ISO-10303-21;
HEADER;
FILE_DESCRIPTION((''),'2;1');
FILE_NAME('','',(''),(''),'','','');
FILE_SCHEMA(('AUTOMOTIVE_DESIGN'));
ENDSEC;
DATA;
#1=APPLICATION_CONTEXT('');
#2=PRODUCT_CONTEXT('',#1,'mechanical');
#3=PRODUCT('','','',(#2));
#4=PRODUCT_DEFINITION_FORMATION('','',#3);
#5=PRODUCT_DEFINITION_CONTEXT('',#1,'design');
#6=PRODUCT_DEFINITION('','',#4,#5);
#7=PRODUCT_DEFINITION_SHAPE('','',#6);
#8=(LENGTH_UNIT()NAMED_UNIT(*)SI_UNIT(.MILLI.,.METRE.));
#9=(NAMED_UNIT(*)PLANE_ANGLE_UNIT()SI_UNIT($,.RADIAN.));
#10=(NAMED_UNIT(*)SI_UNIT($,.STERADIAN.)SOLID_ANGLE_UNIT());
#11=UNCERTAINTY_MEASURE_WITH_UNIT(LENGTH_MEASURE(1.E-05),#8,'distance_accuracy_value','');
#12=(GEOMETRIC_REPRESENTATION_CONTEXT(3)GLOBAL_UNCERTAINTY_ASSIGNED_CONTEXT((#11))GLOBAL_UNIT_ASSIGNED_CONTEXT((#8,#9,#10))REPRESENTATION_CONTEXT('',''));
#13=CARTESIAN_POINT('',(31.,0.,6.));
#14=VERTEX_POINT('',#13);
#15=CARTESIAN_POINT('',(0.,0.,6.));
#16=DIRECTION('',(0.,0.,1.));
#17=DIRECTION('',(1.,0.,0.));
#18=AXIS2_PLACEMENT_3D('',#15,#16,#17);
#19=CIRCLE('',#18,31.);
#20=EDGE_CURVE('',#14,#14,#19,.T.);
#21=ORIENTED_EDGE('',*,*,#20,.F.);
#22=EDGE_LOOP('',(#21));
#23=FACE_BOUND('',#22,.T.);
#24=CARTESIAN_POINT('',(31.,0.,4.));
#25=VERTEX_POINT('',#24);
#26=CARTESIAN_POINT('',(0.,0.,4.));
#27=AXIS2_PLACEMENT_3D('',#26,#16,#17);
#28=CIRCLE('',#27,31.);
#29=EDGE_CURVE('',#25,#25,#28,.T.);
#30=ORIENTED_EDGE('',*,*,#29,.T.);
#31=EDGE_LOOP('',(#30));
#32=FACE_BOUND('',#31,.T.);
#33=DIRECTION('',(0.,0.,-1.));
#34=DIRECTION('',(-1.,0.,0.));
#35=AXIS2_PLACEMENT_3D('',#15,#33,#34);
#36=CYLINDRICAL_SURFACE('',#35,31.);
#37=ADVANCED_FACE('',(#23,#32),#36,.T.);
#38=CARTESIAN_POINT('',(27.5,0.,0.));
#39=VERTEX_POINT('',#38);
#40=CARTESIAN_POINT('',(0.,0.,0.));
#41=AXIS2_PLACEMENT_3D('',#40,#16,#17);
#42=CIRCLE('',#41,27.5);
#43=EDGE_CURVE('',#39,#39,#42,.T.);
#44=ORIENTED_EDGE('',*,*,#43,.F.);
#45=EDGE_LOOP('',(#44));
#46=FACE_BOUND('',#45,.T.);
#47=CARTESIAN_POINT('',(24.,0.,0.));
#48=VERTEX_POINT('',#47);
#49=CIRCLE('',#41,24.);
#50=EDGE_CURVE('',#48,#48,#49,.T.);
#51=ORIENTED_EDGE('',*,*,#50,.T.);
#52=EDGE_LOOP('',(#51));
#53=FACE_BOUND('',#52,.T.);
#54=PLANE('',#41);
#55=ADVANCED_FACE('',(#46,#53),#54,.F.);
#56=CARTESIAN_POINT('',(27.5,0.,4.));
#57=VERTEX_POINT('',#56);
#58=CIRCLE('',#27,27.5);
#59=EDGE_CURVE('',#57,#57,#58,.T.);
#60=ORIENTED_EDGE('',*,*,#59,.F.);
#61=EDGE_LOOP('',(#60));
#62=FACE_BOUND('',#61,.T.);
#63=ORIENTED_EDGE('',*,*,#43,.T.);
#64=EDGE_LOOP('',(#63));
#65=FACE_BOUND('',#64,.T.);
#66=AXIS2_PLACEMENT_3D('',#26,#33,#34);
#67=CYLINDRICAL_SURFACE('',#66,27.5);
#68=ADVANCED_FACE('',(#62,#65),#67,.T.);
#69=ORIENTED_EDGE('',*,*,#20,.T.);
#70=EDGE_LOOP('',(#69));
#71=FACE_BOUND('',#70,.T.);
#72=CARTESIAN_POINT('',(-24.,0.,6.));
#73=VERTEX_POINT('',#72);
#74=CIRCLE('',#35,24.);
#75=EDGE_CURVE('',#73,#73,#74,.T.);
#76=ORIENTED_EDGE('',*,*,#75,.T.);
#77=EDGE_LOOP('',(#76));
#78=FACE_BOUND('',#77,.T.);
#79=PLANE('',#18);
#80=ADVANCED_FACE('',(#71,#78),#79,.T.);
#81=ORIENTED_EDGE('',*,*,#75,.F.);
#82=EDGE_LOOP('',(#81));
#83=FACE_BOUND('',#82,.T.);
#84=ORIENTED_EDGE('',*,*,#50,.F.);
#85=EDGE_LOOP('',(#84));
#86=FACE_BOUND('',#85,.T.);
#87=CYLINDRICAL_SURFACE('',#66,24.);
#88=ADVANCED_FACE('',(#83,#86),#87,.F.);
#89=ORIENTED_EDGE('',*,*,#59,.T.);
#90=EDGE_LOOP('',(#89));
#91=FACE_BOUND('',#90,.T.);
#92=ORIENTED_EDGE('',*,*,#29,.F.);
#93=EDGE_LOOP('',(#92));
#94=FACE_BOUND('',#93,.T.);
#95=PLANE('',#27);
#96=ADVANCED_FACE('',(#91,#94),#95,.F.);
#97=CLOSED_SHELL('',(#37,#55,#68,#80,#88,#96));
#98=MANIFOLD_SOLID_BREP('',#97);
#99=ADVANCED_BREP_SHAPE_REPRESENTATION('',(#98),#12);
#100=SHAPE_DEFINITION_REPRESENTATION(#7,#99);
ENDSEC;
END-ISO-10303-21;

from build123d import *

# Parameters (mm, degrees)
SKETCH_1_R          = 27.5
SKETCH_1_R_2        = 24
EXTRUDE_1_DEPTH     = 4
SKETCH_2_R          = 31
EXTRUDE_2_DEPTH     = 2
SKETCH_3_R          = 24
CUT_EXTRUDE_1_DEPTH = 2


with BuildPart() as part:
    # 草图1 → 凸台-拉伸1 (new body)
    with BuildSketch(Plane.XY):
        Circle(SKETCH_1_R)
        Circle(SKETCH_1_R_2, mode=Mode.SUBTRACT)
    extrude(amount=EXTRUDE_1_DEPTH)

    # 草图2 → 凸台-拉伸2 (add)
    with BuildSketch(Plane.XY.offset(4)):
        Circle(SKETCH_2_R)
    extrude(amount=EXTRUDE_2_DEPTH)

    # 草图3 → 切除-拉伸1 (cut)
    with BuildSketch(Plane(origin=(0, 0, 4), x_dir=(-1, 0, 0), z_dir=(0, 0, -1))):
        Circle(SKETCH_3_R)
    extrude(amount=-CUT_EXTRUDE_1_DEPTH, mode=Mode.SUBTRACT)


solid = part.part
